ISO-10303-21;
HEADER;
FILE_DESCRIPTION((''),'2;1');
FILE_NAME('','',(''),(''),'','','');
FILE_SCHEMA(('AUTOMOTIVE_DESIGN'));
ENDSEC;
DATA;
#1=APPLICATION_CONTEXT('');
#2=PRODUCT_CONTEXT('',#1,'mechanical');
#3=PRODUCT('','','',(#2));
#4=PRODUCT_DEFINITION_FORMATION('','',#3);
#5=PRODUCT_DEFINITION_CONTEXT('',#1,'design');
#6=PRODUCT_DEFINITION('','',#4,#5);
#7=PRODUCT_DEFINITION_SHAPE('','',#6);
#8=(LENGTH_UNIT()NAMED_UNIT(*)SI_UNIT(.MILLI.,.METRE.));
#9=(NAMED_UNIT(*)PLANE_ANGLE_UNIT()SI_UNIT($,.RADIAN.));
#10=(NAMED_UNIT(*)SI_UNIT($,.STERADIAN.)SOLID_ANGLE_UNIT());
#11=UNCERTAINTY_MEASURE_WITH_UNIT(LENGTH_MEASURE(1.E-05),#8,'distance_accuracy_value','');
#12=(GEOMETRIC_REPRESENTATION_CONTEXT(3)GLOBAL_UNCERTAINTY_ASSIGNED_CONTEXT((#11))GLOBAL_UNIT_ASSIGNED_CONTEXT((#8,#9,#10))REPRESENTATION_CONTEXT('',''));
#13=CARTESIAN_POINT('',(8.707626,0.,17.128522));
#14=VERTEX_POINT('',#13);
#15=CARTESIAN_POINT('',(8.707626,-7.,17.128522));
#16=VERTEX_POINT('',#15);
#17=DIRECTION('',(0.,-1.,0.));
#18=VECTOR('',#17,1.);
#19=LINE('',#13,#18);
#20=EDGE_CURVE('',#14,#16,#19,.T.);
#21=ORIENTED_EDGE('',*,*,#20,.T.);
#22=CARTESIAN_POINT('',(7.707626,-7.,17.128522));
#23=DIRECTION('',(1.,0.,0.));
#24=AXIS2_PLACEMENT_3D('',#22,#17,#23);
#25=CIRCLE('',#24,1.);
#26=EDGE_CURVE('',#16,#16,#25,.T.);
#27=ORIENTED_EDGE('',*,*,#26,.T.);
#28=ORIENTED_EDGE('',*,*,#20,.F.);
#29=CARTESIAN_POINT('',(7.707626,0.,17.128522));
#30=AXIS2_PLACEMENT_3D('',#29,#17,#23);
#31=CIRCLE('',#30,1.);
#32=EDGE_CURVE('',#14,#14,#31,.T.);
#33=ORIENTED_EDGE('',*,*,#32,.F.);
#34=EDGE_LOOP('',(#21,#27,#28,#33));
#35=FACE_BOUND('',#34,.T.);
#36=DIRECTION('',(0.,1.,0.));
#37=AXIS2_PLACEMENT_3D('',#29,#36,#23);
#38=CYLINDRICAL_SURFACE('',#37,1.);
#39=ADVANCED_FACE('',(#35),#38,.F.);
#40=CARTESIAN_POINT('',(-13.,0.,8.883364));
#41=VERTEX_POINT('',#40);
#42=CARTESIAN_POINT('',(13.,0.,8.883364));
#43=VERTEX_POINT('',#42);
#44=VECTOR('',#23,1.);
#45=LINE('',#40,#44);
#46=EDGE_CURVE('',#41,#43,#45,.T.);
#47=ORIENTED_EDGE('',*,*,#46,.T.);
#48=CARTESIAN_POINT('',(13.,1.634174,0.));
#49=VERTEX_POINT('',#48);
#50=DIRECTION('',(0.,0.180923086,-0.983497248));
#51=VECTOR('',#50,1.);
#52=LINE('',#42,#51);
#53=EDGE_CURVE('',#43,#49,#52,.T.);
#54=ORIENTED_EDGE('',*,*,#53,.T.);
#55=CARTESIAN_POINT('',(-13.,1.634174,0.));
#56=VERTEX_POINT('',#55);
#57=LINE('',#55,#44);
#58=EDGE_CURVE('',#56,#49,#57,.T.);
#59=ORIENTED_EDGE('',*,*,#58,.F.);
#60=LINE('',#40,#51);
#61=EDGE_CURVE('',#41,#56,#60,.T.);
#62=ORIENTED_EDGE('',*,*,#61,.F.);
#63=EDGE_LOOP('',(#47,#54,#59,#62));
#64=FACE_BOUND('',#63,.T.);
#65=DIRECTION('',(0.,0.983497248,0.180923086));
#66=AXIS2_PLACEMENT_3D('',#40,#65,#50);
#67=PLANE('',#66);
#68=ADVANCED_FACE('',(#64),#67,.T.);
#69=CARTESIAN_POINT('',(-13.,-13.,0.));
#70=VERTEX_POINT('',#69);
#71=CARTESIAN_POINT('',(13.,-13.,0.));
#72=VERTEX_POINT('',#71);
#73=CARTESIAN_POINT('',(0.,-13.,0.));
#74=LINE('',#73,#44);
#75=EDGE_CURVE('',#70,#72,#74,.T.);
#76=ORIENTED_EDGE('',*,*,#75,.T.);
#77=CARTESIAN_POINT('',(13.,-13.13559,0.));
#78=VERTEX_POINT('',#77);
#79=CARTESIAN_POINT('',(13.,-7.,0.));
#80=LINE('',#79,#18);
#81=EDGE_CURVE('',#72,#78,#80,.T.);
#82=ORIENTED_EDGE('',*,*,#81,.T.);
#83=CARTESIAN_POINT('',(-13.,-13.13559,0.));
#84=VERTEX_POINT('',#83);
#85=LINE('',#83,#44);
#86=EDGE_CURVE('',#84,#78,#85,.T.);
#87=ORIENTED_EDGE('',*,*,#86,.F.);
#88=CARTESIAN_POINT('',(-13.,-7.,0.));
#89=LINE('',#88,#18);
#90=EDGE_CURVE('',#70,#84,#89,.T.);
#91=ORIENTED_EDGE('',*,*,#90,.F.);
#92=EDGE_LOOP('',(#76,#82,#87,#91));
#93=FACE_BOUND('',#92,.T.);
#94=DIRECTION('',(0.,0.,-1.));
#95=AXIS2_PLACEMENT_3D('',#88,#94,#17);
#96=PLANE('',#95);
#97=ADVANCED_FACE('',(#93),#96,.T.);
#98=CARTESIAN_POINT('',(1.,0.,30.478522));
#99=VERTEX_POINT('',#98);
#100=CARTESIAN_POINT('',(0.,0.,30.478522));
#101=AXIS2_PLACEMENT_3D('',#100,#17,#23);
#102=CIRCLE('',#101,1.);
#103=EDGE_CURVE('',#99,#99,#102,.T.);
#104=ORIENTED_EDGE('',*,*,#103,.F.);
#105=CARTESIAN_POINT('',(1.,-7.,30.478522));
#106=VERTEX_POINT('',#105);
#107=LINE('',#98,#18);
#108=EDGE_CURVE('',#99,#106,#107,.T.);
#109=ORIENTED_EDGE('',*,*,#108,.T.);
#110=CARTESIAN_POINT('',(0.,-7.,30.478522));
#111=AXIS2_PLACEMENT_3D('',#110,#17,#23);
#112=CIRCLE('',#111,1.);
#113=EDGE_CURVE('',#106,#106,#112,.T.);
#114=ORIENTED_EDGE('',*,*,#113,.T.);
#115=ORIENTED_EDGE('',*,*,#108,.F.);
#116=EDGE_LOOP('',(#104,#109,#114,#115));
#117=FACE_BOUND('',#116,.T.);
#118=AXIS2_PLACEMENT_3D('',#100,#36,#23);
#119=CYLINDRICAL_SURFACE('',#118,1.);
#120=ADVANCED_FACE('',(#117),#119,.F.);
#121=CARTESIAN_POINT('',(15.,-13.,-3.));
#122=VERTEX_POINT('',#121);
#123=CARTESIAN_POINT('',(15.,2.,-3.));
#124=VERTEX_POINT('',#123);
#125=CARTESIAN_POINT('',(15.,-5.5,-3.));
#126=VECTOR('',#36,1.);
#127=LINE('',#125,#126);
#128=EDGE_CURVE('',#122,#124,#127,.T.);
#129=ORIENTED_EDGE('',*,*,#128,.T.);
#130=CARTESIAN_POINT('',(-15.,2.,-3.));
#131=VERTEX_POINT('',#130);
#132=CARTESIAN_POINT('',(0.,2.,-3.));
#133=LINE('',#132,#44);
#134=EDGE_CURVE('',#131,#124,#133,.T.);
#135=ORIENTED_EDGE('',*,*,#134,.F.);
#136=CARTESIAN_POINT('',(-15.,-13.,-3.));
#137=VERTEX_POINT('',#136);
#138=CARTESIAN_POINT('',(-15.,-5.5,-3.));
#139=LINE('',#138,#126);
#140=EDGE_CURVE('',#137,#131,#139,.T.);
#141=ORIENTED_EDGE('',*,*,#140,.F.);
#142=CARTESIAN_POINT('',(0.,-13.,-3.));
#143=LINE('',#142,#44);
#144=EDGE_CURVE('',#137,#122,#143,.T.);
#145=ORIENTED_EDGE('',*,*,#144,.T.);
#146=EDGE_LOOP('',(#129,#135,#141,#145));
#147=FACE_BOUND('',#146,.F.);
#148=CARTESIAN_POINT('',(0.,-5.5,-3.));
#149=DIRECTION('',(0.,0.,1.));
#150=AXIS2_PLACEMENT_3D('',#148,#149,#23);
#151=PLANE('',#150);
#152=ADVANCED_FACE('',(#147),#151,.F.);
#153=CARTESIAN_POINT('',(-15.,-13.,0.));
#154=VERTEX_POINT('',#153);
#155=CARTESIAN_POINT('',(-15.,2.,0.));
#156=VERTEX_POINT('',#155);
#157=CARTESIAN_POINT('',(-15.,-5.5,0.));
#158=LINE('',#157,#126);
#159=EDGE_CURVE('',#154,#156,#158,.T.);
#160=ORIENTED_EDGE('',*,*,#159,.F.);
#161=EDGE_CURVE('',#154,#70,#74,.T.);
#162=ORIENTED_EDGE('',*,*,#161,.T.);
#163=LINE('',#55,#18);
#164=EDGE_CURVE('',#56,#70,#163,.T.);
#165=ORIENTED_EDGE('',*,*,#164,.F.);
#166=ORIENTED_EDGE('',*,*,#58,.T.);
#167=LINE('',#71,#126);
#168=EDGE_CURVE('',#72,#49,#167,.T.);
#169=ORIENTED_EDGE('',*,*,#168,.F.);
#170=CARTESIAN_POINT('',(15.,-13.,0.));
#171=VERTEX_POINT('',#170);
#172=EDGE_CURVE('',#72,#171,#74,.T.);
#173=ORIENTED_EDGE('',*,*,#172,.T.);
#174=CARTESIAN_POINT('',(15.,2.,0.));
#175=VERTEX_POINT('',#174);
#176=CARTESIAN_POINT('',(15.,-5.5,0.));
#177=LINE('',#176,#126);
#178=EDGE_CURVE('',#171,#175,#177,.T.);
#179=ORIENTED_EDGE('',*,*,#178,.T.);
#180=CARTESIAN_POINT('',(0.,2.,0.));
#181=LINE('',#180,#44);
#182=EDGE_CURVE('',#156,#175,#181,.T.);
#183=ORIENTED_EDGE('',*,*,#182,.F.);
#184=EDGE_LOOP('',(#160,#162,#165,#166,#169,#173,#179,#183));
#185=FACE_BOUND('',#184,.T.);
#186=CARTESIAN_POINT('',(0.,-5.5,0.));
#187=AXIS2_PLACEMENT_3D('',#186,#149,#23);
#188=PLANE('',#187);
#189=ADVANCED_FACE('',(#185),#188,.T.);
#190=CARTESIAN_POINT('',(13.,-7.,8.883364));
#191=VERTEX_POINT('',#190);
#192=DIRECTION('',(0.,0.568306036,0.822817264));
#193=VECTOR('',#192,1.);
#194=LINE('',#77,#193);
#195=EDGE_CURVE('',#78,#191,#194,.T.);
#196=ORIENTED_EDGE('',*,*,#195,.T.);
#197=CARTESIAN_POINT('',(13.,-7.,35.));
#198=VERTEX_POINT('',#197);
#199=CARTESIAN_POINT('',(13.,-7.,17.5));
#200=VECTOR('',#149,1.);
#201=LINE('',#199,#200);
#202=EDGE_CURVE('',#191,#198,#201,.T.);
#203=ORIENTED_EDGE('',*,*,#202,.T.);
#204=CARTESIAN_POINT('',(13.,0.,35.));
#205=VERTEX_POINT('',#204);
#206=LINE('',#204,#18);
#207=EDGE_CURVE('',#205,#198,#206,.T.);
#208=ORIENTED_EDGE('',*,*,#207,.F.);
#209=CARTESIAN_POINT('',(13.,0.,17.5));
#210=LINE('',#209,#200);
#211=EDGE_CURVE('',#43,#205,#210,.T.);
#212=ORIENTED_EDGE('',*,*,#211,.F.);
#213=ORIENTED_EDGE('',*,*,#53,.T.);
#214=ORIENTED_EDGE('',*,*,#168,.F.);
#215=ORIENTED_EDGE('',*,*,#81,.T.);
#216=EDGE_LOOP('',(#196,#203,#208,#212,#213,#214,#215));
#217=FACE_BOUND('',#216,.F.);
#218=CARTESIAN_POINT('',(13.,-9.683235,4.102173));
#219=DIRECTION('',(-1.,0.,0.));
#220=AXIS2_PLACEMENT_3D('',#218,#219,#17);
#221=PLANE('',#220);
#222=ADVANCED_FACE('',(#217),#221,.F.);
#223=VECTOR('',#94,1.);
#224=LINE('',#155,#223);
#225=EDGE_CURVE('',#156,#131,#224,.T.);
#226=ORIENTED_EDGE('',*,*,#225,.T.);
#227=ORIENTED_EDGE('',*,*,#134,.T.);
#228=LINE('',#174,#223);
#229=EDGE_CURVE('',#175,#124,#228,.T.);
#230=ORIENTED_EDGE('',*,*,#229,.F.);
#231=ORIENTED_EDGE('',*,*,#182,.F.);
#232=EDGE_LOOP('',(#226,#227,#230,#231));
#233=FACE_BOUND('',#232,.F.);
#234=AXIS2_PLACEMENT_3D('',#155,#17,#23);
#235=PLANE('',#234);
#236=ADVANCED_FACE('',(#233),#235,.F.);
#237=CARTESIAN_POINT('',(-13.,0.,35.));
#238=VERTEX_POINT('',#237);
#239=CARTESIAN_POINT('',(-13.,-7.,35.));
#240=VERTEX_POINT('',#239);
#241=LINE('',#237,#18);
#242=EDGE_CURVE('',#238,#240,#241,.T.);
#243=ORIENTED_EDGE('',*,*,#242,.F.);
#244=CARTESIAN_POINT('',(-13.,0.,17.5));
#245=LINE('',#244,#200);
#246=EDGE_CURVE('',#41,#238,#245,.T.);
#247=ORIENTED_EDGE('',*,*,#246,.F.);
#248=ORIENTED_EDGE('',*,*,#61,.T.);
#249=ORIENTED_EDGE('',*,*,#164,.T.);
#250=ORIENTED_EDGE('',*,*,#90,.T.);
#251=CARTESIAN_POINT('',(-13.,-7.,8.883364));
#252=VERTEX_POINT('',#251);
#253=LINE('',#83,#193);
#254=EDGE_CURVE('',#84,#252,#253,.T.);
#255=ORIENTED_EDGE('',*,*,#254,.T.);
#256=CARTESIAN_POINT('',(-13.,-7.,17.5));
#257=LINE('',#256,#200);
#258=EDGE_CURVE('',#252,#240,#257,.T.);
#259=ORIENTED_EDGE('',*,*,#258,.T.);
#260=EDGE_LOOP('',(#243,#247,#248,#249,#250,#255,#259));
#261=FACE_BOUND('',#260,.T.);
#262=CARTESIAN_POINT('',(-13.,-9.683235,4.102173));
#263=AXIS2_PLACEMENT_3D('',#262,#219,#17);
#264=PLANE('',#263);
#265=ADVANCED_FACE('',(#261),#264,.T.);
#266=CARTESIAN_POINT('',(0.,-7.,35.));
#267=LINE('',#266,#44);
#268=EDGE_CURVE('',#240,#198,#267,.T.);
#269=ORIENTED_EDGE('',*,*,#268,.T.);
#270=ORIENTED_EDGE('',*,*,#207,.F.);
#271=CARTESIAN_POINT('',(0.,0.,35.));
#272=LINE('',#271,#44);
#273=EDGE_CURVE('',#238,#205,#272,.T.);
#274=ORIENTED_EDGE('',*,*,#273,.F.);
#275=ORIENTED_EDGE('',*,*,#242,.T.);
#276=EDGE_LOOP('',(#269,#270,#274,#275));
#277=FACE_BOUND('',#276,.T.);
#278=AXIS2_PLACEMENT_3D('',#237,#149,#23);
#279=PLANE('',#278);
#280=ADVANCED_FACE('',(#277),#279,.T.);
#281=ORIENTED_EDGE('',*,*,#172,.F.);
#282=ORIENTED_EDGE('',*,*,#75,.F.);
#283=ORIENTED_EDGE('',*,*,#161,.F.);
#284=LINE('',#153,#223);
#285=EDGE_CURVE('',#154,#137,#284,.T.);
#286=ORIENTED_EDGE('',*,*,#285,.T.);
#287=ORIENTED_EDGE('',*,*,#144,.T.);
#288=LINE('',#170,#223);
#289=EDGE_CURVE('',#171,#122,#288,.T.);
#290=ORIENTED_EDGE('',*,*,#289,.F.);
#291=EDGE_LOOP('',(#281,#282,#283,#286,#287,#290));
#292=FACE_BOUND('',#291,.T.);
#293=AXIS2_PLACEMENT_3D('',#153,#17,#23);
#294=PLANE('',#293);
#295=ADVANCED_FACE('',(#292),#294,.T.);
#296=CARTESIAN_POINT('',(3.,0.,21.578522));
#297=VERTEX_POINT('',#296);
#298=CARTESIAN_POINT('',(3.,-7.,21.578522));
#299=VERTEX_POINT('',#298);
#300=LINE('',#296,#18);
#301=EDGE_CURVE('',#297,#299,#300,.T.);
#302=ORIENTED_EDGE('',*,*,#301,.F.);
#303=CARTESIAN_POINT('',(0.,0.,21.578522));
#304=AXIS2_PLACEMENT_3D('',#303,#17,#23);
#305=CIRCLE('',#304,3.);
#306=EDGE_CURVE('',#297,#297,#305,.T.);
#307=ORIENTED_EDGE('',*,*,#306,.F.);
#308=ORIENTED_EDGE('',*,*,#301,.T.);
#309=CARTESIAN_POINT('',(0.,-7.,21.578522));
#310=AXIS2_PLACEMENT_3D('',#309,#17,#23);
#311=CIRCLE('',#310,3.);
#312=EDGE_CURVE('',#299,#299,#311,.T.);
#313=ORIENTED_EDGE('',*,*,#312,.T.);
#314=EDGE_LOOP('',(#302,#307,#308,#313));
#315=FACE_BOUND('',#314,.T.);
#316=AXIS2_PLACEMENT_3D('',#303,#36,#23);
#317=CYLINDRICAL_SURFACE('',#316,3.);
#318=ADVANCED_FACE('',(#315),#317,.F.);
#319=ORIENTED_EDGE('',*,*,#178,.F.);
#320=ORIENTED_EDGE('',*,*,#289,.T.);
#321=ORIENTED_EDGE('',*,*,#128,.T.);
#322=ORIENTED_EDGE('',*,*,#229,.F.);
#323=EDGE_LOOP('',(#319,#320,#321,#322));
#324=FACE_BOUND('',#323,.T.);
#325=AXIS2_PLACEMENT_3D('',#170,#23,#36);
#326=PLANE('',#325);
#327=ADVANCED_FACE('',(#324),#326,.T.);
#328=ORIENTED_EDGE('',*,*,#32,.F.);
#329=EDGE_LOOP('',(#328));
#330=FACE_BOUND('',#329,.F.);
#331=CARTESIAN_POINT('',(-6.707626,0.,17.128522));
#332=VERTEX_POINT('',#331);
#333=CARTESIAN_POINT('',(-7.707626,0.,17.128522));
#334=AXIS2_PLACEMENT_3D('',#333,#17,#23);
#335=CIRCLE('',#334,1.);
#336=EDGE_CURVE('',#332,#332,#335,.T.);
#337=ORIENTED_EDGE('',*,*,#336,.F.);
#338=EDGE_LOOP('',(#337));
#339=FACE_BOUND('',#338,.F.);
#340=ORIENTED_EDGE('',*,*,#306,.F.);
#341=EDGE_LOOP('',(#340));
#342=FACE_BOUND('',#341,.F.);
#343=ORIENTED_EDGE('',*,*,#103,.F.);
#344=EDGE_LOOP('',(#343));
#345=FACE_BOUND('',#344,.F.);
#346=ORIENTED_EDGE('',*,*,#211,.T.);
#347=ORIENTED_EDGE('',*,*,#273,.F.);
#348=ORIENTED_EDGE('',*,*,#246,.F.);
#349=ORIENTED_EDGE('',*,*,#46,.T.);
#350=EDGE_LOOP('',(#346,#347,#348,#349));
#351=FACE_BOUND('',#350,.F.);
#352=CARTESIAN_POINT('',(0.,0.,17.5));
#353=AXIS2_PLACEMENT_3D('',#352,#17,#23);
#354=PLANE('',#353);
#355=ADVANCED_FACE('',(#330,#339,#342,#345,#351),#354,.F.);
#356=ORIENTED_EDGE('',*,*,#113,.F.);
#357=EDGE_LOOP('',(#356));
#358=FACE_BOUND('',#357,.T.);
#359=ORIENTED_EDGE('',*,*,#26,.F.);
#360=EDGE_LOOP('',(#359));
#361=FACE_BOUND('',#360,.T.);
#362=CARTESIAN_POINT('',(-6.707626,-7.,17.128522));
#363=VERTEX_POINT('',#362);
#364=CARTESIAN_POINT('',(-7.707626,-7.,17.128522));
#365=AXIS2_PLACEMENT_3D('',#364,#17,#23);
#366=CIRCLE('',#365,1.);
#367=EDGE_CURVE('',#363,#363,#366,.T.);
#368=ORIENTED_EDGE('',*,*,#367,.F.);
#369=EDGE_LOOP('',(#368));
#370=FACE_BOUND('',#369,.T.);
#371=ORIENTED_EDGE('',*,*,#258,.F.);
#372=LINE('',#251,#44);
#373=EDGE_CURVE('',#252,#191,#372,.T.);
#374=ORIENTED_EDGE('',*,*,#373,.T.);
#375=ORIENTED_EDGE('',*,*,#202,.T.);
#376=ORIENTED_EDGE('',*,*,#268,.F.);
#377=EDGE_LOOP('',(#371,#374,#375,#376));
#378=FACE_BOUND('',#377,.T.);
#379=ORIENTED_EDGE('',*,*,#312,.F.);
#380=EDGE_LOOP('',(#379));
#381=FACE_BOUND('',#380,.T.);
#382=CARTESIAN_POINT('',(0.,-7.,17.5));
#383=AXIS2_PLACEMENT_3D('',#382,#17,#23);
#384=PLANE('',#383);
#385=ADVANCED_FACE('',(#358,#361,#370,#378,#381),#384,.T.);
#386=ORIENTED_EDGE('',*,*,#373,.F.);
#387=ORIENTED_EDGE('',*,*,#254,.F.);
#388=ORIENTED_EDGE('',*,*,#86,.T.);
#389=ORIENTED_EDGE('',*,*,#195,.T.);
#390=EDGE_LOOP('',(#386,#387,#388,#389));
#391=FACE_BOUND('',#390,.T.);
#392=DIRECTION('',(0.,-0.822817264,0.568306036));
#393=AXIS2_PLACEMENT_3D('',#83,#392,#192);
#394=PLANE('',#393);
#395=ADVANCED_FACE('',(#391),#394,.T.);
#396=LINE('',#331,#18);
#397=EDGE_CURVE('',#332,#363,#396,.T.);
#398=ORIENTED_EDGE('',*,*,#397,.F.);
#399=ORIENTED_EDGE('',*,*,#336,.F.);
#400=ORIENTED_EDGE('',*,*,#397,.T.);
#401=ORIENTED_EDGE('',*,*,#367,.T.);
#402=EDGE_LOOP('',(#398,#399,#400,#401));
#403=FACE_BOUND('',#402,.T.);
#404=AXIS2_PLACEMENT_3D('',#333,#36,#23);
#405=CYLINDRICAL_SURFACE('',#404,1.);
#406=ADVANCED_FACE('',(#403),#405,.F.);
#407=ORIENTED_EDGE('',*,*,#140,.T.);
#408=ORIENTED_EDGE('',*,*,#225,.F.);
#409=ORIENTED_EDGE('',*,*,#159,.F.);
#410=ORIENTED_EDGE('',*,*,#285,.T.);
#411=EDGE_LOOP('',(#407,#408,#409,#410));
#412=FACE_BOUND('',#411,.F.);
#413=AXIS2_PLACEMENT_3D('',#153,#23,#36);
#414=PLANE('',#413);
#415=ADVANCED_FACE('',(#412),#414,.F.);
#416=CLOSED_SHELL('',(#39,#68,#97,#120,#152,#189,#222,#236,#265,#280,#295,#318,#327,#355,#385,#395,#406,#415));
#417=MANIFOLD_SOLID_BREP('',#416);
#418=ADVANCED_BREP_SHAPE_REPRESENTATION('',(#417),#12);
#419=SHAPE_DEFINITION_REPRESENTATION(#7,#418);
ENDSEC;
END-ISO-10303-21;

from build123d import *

# Parameters (mm, degrees)
F0_W     = 26
F0_H     = 35
F0_R     = 1
F0_R_2   = 3
F1_DEPTH = 7
F2_W     = 30
F2_H     = 15
F3_DEPTH = 3
F5_DEPTH = 26


with BuildPart() as f1:
    # F0 (on Front) → F1 (new body)
    with BuildSketch(Plane.XZ):
        with Locations((0, 17.5)):
            Rectangle(F0_W, F0_H)
        with Locations((-7.707626, 17.128522)):
            Circle(F0_R, mode=Mode.SUBTRACT)
        with Locations((7.707626, 17.128522)):
            Circle(F0_R, mode=Mode.SUBTRACT)
        with Locations((0, 21.578522)):
            Circle(F0_R_2, mode=Mode.SUBTRACT)
        with Locations((0, 30.478522)):
            Circle(F0_R, mode=Mode.SUBTRACT)
    extrude(amount=F1_DEPTH)

    # F2 (on Top) → F3 (join)
    with BuildSketch(Plane.XY):
        with Locations((0, -5.5)):
            Rectangle(F2_W, F2_H)
    extrude(amount=-F3_DEPTH)

    # F4 (on face) → F5 (join)
    with BuildSketch(Plane(origin=(-13, 0, 0), x_dir=(0, -1, 0), z_dir=(-1, 0, 0))):
        Polygon((13.13559, 0), (7, 8.883364), (7, 6.872926), (11.747014, 0), align=None)
        Polygon((11.747014, 0), (7, 6.872926), (7, 4.174094), (9.882976, 0), align=None)
        Polygon((9.882976, 0), (7, 4.174094), (7, 1.96276), (8.355645, 0), align=None)
        Polygon((8.355645, 0), (7, 1.96276), (7, 0), align=None)
        Polygon((0, 4.22952), (0, 8.883364), (-1.634174, 0), (-0.778058, 0), align=None)
        Polygon((0, 0), (0, 4.22952), (-0.778058, 0), align=None)
    extrude(amount=-F5_DEPTH)


solid = f1.part
